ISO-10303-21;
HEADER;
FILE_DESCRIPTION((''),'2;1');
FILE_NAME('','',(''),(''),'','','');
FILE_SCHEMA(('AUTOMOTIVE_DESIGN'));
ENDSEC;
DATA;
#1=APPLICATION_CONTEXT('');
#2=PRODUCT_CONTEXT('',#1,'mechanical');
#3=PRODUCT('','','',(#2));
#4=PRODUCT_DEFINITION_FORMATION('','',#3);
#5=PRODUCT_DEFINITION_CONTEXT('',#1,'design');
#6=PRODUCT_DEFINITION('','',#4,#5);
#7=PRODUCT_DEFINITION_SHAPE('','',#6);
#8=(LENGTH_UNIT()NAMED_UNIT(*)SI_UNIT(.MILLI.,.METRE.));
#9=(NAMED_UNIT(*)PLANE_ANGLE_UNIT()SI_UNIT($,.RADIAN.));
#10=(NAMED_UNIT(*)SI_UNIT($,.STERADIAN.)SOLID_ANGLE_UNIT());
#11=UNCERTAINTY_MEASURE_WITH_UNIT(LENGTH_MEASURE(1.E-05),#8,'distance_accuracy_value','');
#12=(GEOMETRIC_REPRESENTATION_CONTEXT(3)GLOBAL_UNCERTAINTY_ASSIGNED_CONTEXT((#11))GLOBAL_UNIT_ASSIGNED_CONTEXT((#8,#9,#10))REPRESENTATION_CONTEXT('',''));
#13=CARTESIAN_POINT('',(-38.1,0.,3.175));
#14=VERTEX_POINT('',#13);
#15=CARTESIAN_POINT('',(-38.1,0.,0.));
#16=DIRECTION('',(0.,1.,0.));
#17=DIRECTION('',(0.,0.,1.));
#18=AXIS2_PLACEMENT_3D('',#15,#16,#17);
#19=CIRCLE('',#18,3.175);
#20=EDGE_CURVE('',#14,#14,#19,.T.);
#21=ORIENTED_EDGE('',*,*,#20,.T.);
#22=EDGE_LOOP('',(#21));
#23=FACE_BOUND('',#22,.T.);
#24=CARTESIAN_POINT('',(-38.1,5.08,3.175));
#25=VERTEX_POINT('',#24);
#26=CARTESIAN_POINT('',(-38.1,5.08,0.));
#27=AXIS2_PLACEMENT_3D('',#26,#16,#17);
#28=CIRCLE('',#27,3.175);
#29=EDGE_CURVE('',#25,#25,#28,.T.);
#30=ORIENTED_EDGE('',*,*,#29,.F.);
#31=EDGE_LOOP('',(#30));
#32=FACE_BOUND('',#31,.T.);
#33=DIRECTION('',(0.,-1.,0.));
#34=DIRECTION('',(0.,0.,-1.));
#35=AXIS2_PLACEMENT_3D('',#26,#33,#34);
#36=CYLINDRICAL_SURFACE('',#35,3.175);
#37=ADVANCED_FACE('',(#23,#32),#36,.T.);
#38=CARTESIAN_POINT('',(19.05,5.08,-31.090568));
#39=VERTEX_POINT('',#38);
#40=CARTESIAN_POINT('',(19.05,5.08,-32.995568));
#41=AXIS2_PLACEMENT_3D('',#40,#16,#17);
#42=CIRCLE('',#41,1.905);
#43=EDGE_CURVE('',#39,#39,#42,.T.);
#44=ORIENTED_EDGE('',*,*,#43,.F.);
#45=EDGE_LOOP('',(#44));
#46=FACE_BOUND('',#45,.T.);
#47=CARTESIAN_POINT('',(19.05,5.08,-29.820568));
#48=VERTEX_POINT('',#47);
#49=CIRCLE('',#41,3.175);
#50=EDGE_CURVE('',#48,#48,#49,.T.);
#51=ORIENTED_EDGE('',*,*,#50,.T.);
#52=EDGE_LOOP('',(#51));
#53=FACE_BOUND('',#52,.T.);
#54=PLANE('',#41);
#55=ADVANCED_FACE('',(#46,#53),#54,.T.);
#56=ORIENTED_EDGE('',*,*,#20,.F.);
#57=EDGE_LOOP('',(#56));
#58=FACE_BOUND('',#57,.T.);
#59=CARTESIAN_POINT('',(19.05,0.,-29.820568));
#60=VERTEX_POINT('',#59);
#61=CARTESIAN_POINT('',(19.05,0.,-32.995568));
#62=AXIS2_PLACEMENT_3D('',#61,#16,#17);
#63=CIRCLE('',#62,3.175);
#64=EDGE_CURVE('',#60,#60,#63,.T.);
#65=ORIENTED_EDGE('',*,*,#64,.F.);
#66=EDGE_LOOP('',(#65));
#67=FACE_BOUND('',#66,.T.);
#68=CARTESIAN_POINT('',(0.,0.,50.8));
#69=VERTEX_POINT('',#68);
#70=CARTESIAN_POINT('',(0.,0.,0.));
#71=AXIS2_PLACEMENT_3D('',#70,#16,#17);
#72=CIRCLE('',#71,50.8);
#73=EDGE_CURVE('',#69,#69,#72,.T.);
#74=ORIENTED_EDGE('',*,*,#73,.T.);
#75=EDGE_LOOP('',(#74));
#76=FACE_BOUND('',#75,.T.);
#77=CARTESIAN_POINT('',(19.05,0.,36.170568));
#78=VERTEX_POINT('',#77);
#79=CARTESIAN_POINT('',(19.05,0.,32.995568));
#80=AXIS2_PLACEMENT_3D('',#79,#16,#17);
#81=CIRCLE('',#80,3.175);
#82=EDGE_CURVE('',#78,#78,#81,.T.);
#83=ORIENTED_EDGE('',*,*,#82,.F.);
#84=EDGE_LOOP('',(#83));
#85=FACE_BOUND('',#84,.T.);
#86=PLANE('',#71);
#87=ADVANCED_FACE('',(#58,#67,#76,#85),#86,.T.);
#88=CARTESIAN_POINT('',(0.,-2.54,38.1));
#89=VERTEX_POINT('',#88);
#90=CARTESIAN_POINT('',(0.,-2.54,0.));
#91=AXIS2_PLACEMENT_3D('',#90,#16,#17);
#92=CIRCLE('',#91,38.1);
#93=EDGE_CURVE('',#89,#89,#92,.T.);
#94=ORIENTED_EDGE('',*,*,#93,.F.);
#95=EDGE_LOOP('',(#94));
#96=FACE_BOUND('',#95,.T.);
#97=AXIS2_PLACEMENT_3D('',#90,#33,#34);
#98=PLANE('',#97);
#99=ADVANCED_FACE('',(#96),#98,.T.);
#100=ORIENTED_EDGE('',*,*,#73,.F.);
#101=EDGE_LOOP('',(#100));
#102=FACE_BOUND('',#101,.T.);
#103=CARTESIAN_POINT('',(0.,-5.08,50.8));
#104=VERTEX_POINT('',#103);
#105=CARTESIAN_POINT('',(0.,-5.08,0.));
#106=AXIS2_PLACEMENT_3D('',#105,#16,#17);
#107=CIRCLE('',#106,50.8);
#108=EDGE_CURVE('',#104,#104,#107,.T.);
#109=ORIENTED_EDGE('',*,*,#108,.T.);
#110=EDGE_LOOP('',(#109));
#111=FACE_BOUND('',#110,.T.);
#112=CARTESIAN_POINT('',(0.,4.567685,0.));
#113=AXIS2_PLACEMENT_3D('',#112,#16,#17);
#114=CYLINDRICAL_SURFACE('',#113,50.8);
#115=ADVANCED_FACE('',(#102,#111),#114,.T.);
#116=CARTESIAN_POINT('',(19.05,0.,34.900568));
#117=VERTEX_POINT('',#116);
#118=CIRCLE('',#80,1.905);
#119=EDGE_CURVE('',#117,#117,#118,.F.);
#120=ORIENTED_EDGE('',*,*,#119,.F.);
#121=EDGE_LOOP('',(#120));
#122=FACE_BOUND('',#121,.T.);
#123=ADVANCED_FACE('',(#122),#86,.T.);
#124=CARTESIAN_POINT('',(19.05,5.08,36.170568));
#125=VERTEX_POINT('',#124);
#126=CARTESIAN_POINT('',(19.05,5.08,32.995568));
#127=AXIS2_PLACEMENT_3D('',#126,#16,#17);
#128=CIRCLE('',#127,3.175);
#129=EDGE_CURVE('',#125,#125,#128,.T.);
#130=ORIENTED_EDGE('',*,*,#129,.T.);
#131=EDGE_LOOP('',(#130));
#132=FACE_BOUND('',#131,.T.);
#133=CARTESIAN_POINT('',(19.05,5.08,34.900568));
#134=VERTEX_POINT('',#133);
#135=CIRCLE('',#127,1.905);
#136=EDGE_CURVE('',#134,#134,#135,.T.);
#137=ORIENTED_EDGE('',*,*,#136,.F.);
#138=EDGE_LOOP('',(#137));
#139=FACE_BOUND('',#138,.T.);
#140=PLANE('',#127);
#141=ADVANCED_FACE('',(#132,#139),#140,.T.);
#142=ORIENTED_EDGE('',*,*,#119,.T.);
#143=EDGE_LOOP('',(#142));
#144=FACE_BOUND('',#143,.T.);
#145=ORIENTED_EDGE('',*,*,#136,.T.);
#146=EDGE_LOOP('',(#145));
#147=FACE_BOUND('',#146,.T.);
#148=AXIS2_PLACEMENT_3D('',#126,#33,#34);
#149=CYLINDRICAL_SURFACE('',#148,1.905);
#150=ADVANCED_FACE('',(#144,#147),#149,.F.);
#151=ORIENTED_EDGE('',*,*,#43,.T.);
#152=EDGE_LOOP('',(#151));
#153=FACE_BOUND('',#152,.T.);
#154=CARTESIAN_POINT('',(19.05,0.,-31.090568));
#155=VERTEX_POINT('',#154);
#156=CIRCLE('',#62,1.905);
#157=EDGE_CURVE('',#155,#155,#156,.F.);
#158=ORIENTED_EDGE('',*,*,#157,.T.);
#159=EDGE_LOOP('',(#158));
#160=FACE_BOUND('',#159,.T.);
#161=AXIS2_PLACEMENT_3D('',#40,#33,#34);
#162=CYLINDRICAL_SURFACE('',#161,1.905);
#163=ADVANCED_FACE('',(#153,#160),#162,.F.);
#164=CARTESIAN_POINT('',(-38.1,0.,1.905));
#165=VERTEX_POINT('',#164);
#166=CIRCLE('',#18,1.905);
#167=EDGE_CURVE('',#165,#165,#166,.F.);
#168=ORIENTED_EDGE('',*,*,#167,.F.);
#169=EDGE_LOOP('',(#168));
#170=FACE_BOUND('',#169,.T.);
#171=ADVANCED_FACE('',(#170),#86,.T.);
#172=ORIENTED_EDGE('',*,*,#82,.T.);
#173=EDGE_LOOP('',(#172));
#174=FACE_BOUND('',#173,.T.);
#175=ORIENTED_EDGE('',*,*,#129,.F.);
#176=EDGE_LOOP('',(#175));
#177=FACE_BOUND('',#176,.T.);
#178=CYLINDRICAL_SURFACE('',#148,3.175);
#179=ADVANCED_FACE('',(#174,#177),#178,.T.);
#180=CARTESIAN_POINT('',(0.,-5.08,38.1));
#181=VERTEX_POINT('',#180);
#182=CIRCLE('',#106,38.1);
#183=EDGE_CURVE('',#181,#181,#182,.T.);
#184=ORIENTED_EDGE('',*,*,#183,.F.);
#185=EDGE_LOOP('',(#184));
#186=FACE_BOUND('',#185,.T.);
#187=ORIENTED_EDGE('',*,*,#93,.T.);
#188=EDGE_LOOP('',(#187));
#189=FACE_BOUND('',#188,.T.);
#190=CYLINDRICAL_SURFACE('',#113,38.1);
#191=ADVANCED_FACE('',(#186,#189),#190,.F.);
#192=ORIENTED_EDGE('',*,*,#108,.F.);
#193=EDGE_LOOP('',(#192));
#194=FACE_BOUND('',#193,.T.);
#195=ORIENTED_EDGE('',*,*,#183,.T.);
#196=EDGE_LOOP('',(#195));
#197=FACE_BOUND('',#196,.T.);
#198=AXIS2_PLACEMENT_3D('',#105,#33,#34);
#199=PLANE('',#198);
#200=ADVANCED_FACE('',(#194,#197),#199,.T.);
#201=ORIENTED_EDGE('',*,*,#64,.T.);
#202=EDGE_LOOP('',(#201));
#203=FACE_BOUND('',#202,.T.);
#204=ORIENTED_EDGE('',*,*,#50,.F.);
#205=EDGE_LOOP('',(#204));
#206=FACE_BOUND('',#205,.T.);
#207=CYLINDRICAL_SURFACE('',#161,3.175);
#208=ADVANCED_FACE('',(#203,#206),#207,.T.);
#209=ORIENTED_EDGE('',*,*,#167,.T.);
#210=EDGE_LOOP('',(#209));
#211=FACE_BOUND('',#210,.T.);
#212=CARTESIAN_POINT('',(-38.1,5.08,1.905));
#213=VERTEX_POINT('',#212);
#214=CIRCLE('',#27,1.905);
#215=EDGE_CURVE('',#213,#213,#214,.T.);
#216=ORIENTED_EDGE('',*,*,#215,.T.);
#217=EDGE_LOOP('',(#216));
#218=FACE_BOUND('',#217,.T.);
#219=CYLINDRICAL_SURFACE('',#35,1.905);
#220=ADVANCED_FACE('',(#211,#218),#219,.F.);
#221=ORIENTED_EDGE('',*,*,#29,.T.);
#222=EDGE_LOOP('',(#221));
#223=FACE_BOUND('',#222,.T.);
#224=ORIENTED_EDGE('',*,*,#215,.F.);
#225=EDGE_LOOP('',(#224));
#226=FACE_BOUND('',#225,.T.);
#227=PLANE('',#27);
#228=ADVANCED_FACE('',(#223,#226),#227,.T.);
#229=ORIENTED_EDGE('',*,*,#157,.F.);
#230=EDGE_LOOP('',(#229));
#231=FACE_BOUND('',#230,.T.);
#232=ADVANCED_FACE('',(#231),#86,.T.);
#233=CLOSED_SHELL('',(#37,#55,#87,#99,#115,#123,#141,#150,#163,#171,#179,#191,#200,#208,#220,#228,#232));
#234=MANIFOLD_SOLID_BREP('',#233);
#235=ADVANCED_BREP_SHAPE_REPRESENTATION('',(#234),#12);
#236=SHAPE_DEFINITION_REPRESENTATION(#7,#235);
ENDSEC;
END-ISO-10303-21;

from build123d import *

# Parameters (mm, degrees)
SKETCH3_R           = 3.175
SKETCH3_R_2         = 1.905
BOSS_EXTRUDE1_DEPTH = 5.08


with BuildPart() as part:
    # Sketch1 → Revolve1 (revolve)
    with BuildSketch(Plane.XY, mode=Mode.PRIVATE) as revolve1_sk:
        Polygon((-38.1, -2.54), (0, -2.54), (0, 0), (-50.8, 0), (-50.8, -5.08), (-38.1, -5.08), align=None)
    revolve(revolve1_sk.sketch.rotate(Axis((0, 4.567685351, 0), (0, -1, 0)), 270), axis=Axis((0, 4.567685351, 0), (0, -1, 0)))

    # Sketch3 → Boss-Extrude1 (add)
    # profile 1 of 3: a face of its own
    with BuildSketch(Plane(origin=(0, 0, 0), x_dir=(1, 0, 0), z_dir=(0, 1, 0))):
        with Locations(Location((-38.1, 0, 0), (0, 0, 270))):
            Circle(SKETCH3_R)
        with Locations(Location((-38.1, 0, 0), (0, 0, 270))):
            Circle(SKETCH3_R_2, mode=Mode.SUBTRACT)
    # profile 2 of 3: a face of its own
    with BuildSketch(Plane(origin=(0, 0, 0), x_dir=(1, 0, 0), z_dir=(0, 1, 0))):
        with Locations(Location((19.05, 32.995567884, 0), (0, 0, 270))):
            Circle(SKETCH3_R)
        with Locations(Location((19.05, 32.995567884, 0), (0, 0, 270))):
            Circle(SKETCH3_R_2, mode=Mode.SUBTRACT)
    # profile 3 of 3: a face of its own
    with BuildSketch(Plane(origin=(0, 0, 0), x_dir=(1, 0, 0), z_dir=(0, 1, 0))):
        with Locations(Location((19.05, -32.995567884, 0), (0, 0, 270))):
            Circle(SKETCH3_R)
        with Locations(Location((19.05, -32.995567884, 0), (0, 0, 270))):
            Circle(SKETCH3_R_2, mode=Mode.SUBTRACT)
    extrude(amount=BOSS_EXTRUDE1_DEPTH)


solid = part.part
